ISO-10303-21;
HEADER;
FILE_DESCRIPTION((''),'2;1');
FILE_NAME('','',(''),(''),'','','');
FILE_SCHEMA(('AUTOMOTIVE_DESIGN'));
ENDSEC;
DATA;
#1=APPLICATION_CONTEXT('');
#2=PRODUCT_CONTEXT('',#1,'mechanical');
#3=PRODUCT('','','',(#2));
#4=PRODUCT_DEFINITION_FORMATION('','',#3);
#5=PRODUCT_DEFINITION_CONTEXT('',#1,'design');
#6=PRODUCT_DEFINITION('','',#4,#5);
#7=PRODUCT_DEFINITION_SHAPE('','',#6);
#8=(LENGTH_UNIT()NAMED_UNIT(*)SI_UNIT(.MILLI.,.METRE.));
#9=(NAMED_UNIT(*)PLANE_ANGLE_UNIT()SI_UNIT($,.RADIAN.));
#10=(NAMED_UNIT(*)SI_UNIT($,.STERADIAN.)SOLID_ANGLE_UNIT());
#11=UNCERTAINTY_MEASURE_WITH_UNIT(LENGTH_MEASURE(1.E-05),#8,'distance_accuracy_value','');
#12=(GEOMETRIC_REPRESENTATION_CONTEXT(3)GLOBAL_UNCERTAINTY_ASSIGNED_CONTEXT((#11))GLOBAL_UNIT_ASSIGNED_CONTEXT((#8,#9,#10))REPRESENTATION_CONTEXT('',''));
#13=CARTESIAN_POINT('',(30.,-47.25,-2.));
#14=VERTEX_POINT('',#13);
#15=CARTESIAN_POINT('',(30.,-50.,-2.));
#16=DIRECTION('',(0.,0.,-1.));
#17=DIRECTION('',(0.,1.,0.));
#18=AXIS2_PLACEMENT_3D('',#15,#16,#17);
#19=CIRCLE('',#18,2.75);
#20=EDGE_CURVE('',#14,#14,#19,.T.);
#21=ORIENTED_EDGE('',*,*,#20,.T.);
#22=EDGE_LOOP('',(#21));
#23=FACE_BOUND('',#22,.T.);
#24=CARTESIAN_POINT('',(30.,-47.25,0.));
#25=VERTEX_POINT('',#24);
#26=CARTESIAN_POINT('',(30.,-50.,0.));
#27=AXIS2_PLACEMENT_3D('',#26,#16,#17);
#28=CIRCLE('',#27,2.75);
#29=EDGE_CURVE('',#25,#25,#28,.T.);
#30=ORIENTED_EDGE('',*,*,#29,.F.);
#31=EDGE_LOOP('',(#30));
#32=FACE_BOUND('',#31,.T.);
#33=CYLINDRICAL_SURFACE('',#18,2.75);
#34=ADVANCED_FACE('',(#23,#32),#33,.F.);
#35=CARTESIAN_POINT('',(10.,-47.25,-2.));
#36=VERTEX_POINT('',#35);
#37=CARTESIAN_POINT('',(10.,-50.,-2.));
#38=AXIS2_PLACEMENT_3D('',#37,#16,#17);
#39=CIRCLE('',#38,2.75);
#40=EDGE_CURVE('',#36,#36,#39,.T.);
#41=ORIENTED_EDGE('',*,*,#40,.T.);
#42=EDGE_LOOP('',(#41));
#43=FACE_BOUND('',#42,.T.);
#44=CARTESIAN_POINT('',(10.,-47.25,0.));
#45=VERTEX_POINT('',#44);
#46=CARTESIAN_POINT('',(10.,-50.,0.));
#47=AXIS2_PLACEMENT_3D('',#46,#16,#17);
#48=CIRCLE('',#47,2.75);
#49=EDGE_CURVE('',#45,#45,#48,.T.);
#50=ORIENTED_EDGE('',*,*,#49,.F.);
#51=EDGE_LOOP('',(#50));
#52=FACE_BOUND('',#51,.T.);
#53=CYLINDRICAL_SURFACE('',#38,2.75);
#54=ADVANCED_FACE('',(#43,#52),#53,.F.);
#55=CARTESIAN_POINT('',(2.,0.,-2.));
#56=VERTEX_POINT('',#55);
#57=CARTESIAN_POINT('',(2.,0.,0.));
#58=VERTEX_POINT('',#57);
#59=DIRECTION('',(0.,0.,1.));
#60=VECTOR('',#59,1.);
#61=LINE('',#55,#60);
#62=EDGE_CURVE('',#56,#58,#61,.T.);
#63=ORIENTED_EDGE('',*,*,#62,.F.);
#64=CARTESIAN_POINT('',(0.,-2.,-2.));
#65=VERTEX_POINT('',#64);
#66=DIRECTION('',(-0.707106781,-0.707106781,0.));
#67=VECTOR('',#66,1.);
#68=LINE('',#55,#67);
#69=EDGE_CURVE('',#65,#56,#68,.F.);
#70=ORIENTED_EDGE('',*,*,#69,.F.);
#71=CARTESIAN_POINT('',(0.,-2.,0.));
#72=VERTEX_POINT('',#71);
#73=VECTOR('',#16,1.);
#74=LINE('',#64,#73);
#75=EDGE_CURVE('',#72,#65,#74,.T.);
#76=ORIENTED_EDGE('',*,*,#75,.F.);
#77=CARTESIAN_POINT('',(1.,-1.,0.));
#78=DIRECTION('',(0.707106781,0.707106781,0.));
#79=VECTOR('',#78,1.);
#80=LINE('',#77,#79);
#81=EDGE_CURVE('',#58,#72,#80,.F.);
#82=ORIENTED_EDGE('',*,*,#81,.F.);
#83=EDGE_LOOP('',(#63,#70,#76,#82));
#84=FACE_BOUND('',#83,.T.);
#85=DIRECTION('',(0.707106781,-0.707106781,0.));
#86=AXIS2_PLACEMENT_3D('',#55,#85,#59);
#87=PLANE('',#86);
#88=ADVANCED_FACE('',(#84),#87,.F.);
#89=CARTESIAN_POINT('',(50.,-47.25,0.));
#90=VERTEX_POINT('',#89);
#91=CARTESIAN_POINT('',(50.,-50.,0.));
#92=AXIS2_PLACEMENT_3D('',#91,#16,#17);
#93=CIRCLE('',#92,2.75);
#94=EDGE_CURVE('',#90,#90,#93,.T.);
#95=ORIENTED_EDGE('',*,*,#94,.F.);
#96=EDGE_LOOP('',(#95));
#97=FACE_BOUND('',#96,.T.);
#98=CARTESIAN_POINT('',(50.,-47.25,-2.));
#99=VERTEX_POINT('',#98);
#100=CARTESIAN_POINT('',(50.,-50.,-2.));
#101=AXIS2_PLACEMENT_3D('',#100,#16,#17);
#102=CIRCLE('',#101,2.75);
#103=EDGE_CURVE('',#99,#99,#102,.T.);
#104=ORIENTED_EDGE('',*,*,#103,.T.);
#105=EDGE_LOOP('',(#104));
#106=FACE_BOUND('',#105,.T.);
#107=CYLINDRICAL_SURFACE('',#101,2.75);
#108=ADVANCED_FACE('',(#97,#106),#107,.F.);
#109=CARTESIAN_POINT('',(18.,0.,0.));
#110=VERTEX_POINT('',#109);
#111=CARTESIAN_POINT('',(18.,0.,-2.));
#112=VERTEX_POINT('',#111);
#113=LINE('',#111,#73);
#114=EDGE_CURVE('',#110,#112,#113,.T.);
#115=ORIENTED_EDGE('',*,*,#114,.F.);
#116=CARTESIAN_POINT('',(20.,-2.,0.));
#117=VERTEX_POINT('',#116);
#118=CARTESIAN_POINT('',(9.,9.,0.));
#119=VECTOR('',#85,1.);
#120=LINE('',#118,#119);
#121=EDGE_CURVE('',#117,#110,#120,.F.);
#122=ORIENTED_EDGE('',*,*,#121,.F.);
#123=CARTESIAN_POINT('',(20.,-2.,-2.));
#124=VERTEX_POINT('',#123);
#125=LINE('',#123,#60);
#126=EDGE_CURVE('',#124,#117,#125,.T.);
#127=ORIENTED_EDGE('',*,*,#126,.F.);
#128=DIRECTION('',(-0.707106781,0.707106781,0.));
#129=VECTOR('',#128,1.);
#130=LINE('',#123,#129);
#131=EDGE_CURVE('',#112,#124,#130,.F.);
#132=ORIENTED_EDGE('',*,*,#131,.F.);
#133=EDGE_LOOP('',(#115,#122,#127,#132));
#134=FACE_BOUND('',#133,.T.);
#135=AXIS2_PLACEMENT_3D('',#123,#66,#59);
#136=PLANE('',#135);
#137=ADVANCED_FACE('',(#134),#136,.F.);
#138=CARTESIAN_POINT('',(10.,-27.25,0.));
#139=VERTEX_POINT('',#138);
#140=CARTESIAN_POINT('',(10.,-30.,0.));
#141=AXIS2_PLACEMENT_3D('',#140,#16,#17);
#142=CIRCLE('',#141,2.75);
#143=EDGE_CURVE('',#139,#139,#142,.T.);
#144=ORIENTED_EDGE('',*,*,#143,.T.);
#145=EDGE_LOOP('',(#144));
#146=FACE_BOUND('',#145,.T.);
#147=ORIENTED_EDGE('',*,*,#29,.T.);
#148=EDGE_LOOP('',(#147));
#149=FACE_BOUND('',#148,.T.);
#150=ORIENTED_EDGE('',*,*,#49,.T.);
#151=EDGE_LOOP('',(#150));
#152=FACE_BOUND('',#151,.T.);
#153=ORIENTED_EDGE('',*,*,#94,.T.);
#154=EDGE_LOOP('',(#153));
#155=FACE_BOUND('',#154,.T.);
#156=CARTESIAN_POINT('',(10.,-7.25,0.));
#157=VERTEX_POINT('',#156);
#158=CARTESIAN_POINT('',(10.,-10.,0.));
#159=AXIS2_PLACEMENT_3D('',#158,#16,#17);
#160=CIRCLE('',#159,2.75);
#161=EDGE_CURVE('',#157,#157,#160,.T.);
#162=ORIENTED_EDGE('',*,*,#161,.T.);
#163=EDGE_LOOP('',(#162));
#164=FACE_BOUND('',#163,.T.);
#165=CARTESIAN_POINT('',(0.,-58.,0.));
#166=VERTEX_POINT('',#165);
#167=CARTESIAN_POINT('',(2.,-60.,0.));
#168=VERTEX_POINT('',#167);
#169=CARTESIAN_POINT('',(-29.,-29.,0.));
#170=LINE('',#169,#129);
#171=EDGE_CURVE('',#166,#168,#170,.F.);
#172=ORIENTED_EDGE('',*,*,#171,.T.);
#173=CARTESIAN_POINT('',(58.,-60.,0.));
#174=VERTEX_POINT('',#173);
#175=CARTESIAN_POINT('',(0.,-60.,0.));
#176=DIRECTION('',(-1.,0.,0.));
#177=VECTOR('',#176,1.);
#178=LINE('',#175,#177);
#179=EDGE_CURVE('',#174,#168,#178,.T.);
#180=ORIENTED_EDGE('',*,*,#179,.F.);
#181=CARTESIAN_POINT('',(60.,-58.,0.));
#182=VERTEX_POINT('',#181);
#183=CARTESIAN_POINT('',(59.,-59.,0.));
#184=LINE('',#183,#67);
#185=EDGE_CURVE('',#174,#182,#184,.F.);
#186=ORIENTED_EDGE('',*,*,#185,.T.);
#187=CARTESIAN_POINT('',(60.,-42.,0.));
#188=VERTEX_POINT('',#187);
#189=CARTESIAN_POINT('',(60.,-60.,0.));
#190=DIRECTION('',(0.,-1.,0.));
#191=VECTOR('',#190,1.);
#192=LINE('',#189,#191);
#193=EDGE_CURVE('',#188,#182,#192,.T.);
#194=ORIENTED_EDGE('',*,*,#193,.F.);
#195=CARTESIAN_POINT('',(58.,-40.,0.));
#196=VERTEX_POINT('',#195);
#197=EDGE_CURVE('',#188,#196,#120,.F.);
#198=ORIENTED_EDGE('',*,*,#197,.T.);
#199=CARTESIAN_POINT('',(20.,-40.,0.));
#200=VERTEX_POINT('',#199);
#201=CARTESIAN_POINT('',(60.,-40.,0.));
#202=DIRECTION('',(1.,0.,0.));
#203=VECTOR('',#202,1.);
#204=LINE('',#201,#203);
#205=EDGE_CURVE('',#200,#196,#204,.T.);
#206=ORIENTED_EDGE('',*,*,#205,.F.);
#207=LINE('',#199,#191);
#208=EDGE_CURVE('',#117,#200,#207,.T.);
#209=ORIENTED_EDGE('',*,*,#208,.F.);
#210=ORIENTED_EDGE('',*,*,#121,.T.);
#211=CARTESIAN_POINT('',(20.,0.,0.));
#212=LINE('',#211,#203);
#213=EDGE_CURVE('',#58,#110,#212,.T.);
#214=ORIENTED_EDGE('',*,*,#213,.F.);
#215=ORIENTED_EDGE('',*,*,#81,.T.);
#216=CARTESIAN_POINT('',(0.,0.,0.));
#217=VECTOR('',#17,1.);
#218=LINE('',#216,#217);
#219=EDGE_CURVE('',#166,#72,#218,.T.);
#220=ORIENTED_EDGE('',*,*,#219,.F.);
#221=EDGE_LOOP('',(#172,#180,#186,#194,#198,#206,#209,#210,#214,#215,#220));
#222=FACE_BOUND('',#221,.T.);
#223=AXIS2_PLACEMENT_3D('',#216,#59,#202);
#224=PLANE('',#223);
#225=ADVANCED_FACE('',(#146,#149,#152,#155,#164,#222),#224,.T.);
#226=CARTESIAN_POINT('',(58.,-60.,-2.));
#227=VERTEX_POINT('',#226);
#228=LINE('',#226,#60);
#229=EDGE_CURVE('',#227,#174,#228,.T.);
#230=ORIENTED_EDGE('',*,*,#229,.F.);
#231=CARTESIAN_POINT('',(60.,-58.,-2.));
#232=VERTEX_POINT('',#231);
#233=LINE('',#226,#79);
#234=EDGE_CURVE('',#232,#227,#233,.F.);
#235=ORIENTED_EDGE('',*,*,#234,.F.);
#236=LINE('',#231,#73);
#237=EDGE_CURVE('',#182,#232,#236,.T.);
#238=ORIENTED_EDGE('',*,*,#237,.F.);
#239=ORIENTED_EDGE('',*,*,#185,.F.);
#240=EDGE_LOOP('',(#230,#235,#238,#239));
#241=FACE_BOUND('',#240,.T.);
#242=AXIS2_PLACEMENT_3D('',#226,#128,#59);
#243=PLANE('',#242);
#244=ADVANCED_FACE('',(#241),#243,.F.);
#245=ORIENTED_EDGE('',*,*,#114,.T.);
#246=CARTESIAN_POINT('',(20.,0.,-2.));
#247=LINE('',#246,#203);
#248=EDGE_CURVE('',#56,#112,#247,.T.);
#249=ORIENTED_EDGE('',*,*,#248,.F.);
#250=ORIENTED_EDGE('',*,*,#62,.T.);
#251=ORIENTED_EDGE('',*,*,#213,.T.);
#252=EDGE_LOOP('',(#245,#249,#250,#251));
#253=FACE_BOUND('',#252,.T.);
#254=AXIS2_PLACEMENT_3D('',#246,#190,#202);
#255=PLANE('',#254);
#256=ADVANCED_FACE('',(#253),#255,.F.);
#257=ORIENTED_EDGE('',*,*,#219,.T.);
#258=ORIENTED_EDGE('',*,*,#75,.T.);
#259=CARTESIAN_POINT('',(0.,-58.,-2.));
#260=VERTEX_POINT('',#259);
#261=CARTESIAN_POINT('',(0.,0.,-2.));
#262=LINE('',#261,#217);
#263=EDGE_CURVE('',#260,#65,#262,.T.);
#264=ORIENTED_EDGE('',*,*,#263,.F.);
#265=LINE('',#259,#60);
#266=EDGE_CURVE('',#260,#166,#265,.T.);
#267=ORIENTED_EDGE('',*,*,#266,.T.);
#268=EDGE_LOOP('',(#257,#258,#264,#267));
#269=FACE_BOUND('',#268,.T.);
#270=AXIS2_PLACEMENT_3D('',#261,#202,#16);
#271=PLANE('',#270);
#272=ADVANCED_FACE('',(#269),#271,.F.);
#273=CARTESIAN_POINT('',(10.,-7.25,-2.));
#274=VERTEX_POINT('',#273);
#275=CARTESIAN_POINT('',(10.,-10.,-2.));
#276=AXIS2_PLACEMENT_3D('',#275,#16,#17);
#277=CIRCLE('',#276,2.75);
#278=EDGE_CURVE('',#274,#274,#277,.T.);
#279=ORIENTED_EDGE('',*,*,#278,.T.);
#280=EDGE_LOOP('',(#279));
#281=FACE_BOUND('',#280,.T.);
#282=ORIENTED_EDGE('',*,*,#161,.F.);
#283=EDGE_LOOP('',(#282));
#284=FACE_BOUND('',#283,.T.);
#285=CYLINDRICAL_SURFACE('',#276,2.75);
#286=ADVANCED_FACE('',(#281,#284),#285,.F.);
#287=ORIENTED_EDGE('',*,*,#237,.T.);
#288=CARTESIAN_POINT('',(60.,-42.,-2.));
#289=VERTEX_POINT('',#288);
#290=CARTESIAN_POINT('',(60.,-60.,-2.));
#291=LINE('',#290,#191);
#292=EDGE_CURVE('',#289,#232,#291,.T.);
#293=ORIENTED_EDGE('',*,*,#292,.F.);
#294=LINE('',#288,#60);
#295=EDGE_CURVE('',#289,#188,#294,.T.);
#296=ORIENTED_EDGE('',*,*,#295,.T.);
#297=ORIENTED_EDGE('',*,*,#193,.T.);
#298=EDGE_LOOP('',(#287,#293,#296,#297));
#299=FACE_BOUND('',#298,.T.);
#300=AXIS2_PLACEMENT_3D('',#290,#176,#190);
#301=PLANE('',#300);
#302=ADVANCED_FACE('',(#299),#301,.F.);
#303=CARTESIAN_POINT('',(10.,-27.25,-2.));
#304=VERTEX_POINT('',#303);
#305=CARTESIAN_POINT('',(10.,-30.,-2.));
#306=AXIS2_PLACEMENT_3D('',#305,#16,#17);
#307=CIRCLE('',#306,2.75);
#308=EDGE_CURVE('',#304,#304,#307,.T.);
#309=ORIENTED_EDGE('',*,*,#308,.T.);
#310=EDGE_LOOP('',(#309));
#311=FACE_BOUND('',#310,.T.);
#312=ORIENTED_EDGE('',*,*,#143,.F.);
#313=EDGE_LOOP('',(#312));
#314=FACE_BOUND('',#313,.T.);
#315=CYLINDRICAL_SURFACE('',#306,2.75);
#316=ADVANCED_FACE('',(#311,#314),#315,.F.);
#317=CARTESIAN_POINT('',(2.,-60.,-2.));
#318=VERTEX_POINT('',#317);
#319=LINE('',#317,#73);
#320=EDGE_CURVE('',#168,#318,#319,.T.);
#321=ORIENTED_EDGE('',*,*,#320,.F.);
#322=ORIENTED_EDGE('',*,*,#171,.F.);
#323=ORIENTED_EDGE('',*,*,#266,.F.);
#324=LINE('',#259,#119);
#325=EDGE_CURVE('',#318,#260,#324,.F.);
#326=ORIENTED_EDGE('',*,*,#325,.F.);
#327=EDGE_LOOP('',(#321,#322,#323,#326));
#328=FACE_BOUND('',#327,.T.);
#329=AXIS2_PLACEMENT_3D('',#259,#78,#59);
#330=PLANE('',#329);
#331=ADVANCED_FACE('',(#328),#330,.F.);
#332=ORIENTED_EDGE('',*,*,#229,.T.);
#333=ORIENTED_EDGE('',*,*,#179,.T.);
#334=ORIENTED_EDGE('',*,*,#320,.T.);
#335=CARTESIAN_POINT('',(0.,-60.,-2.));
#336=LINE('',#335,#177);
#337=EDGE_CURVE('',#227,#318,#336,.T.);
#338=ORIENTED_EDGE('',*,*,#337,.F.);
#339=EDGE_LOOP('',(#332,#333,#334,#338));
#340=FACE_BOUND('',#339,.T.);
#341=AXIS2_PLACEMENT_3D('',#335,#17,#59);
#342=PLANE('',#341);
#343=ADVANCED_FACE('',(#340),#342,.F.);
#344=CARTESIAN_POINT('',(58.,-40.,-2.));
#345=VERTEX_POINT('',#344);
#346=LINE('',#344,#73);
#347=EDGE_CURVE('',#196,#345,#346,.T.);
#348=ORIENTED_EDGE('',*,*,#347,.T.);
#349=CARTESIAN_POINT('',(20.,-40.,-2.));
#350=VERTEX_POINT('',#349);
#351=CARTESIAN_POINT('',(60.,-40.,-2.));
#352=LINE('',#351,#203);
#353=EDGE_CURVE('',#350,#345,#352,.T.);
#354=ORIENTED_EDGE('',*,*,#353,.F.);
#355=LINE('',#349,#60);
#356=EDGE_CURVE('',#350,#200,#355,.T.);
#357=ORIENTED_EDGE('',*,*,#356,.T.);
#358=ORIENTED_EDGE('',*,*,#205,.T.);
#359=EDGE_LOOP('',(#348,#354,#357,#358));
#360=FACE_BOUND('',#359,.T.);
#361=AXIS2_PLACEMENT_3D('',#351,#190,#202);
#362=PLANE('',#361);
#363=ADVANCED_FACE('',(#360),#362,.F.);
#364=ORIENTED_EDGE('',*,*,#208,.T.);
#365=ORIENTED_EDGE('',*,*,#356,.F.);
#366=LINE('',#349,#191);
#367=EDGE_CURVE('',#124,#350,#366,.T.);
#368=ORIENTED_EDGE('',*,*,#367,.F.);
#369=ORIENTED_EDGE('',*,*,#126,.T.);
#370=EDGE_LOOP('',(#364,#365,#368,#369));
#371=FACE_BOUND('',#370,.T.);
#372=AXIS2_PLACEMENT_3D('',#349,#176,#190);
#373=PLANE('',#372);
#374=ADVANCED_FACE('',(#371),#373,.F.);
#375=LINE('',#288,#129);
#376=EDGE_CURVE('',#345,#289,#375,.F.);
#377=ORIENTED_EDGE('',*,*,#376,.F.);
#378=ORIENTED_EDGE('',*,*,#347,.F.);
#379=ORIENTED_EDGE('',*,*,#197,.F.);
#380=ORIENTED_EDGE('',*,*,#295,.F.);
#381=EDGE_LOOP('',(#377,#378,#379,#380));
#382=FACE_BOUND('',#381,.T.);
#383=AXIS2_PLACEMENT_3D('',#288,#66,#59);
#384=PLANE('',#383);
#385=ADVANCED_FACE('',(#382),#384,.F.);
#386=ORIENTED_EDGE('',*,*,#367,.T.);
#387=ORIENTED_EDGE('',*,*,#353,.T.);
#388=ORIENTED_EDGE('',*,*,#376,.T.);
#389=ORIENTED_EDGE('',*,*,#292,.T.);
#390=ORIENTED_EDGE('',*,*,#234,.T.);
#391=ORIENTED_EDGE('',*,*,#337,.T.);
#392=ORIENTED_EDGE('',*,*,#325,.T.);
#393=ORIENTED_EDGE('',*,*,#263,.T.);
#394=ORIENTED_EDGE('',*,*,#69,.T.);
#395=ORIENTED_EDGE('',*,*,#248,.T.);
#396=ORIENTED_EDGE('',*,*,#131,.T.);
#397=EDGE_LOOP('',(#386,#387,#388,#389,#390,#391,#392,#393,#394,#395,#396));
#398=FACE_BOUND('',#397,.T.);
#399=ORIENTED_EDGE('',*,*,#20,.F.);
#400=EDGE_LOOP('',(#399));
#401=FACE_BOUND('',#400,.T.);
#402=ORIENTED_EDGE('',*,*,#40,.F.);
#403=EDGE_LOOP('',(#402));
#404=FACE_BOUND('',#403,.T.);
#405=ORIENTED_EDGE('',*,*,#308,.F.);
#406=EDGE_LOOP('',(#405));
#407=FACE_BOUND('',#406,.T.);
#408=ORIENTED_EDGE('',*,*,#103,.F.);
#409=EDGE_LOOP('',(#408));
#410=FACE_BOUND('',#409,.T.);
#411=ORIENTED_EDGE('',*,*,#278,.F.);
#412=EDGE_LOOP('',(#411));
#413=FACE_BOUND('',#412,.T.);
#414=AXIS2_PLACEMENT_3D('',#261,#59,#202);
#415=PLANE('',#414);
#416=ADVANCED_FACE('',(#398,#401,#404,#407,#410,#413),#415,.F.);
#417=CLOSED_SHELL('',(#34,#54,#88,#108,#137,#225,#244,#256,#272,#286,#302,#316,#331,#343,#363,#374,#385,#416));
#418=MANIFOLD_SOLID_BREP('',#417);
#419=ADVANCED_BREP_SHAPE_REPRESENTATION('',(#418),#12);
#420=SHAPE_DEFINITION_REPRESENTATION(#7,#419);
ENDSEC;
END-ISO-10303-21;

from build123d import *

# Parameters (mm, degrees)
EXTRUDE_1_DEPTH   = 2
HOLE_WIZARD_M51_D = 5.5
CHAMFER_1_SIZE    = 2


with BuildPart() as part:
    # Эскиз1 → Бобышка-Вытянуть1 (new body)
    with BuildSketch(Plane(origin=(0, 0, 0), x_dir=(1, 0, 0), z_dir=(0, 0, -1))):
        Polygon((0, 0), (0, 60), (60, 60), (60, 40), (20, 40), (20, 0), align=None)
    extrude(amount=EXTRUDE_1_DEPTH)

    # Отверстие с зазором M51 (through all)
    with Locations(Plane(origin=(0, 0, -2), x_dir=(1, 0, 0), z_dir=(0, 0, -1))):
        with Locations((30, 50), (10, 50), (10, 30), (10, 10), (50, 50)):
            Hole(HOLE_WIZARD_M51_D / 2)

    # Фаска1
    chamfer_1_edges = [part.edges().sort_by_distance(p)[0] for p in [
        (0, 0, -1),
        (0, -60, -1),
        (60, -60, -1),
        (60, -40, -1),
        (20, 0, -1),
    ]]
    chamfer(chamfer_1_edges, length=CHAMFER_1_SIZE)


solid = part.part
